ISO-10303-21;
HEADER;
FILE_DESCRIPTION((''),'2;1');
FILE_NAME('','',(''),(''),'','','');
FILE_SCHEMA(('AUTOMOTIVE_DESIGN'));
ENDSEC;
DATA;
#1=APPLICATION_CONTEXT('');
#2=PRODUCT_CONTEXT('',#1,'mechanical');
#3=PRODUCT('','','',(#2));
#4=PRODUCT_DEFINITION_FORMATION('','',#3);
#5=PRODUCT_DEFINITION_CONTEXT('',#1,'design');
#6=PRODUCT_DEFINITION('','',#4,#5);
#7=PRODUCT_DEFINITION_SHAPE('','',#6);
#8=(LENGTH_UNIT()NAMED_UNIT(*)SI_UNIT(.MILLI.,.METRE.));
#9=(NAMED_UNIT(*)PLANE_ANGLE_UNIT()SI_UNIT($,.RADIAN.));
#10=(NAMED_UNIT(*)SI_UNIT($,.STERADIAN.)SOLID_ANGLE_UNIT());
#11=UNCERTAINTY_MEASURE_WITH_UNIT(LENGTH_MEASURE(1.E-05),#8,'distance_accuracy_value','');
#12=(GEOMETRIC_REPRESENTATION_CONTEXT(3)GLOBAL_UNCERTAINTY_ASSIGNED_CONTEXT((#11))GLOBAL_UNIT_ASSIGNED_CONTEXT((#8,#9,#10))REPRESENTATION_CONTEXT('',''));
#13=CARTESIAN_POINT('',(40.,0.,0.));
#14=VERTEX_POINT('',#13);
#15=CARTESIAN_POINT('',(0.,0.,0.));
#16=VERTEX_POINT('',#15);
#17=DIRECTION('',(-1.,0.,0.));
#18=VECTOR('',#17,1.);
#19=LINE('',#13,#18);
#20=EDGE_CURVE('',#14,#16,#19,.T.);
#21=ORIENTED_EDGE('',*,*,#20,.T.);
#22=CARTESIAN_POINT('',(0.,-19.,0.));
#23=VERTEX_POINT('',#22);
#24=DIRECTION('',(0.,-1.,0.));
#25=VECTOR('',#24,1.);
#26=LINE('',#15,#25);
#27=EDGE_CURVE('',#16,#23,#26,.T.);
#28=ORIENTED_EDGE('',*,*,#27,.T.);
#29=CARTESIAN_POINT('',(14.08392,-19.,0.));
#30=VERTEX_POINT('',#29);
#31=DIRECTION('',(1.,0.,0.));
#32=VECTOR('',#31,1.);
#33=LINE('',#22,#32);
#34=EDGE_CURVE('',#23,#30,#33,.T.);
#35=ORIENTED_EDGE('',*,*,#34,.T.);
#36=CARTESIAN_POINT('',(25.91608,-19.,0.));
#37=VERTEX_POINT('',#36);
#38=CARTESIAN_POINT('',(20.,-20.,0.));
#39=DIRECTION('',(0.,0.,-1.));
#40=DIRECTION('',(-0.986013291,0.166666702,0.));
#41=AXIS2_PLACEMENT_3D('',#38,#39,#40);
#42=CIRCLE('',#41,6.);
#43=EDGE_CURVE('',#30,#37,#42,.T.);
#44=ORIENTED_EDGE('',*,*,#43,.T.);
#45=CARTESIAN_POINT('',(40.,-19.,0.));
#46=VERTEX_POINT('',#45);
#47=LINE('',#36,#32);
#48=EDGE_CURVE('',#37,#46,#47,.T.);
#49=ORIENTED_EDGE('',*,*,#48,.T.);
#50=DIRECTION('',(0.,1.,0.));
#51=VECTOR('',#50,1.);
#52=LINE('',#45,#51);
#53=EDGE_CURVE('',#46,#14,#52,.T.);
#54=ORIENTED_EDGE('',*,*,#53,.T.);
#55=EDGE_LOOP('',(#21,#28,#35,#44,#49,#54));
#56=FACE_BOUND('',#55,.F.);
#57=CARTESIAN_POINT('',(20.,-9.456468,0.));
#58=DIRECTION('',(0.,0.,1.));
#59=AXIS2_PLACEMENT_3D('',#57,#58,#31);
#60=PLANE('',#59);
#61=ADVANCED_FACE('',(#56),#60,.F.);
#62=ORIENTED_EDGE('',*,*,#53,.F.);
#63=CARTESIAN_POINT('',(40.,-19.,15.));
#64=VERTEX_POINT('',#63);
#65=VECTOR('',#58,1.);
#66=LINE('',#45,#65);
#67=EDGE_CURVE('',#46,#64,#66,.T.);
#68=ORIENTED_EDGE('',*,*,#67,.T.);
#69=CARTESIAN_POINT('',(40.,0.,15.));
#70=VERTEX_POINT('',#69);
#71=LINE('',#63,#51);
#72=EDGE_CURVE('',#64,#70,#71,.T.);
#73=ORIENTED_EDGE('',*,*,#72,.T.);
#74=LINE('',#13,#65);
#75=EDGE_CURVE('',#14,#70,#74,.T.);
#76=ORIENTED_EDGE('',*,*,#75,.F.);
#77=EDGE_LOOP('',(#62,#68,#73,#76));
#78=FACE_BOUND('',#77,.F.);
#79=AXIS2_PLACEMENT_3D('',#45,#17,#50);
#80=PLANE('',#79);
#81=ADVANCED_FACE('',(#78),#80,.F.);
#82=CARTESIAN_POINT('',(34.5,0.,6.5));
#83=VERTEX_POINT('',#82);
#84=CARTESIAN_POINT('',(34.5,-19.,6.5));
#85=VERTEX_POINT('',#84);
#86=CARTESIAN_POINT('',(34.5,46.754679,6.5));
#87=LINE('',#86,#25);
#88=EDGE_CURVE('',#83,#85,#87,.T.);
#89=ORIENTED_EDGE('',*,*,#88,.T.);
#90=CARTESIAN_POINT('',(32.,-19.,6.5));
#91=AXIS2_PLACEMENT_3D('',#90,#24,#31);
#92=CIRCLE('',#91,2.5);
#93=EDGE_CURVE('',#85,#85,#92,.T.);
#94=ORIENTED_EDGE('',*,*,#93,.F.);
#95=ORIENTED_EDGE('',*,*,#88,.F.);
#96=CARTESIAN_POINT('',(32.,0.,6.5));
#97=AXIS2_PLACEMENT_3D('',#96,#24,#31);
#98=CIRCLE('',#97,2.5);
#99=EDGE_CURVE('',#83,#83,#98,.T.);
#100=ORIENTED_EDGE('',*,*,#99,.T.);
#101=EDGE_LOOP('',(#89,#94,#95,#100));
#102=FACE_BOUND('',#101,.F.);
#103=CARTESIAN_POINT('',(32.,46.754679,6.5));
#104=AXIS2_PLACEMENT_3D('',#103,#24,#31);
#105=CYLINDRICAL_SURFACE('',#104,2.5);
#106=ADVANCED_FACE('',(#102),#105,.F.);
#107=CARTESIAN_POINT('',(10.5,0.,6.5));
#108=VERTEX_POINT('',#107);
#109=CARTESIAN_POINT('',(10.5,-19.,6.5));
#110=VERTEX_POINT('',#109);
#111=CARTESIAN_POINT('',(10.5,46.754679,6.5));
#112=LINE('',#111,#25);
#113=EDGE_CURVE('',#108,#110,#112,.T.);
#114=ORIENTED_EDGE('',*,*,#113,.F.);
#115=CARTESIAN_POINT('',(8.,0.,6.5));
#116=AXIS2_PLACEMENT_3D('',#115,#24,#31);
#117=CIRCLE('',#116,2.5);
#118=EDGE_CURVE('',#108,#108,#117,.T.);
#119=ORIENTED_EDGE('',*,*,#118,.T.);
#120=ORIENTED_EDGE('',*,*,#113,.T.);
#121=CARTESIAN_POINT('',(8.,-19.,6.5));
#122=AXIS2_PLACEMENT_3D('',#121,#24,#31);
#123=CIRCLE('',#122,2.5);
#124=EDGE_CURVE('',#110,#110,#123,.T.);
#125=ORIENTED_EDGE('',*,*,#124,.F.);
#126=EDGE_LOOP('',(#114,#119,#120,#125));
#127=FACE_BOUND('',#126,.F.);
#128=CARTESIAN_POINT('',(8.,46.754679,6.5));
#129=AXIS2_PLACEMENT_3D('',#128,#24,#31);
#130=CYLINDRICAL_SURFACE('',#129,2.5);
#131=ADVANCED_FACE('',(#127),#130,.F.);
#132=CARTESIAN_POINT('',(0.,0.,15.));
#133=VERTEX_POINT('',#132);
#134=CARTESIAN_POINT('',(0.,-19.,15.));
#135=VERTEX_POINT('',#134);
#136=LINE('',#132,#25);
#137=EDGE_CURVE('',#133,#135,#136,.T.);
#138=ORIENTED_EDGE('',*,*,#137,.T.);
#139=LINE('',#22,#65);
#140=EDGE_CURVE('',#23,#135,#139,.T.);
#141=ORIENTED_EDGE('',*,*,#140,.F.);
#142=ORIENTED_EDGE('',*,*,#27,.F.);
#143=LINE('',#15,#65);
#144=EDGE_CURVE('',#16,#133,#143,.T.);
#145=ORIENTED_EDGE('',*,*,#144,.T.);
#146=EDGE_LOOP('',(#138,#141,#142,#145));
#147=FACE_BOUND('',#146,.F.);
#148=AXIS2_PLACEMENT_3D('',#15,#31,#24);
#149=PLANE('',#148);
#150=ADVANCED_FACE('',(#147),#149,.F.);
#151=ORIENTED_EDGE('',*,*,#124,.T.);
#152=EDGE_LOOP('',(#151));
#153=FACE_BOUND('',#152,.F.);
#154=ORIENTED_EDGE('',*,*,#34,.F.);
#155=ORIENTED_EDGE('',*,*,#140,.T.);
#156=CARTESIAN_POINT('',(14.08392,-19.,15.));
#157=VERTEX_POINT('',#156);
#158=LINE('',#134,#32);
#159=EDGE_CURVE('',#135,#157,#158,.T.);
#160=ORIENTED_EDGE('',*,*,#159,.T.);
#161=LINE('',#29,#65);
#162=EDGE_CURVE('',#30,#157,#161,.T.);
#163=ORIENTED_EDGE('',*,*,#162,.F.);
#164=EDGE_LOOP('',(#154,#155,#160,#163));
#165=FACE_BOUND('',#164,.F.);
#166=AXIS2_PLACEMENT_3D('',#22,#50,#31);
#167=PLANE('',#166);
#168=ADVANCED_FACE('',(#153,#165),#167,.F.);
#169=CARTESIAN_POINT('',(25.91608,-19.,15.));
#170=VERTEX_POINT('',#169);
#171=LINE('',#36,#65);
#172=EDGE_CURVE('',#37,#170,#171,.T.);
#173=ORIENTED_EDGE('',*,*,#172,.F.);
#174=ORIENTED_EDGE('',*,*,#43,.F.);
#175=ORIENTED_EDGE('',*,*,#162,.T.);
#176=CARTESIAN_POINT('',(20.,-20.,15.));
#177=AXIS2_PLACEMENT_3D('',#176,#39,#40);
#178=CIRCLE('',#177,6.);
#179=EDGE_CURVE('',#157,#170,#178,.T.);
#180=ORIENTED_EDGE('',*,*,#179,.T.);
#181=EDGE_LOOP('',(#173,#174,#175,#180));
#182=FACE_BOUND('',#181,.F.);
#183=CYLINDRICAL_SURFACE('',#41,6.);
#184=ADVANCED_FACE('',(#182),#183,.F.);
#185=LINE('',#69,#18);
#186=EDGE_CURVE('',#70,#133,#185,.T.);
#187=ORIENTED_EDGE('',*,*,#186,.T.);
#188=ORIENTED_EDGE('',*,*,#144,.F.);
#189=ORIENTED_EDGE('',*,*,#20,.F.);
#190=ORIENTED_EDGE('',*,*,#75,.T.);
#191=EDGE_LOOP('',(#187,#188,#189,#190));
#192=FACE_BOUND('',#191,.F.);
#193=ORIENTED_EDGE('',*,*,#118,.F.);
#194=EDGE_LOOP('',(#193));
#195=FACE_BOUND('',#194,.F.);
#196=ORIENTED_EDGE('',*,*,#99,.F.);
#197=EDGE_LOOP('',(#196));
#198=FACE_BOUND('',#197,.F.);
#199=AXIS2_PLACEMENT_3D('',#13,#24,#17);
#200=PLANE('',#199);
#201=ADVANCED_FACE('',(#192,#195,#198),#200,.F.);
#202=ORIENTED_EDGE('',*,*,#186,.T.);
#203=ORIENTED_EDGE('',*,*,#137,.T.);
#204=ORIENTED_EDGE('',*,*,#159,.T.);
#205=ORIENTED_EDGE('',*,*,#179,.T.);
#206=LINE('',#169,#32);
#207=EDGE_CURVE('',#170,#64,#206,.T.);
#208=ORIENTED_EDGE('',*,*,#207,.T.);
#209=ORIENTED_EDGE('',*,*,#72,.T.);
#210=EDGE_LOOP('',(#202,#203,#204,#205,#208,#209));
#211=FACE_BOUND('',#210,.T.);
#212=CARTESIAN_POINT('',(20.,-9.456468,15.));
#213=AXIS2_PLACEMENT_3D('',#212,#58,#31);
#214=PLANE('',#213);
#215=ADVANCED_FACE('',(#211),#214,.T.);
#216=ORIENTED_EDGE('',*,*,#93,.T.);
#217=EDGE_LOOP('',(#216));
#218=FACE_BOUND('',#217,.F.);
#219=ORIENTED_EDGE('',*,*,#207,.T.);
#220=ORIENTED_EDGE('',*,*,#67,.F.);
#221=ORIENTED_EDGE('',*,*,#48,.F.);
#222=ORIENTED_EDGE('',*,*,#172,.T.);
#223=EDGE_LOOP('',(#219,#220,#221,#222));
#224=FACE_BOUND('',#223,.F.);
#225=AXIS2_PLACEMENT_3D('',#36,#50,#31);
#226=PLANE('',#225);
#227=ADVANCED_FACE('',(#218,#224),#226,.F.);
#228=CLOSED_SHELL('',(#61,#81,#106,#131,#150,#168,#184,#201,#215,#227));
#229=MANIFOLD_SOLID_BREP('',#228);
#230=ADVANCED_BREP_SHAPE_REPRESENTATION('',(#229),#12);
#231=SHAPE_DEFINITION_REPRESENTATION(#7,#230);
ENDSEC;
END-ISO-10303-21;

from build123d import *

# Parameters (mm, degrees)
F1_DEPTH = 15
F3_D     = 5


with BuildPart() as f1:
    # F0 (on Top) → F1 (new body)
    with BuildSketch(Plane.XY):
        with BuildLine():
            Line((40, 0), (0, 0))
            Line((0, 0), (0, -19))
            Line((0, -19), (14.08392, -19))
            ThreePointArc((14.08392, -19), (20, -14), (25.91608, -19))
            Line((25.91608, -19), (40, -19))
            Line((40, -19), (40, 0))
        make_face()
    extrude(amount=F1_DEPTH)

    # F3 (through all)
    with Locations(Plane(origin=(0, 0, 0), x_dir=(-1, 0, 0), z_dir=(0, 1, 0))):
        with Locations((-8, 6.5), (-32, 6.5)):
            Hole(F3_D / 2)


solid = f1.part
